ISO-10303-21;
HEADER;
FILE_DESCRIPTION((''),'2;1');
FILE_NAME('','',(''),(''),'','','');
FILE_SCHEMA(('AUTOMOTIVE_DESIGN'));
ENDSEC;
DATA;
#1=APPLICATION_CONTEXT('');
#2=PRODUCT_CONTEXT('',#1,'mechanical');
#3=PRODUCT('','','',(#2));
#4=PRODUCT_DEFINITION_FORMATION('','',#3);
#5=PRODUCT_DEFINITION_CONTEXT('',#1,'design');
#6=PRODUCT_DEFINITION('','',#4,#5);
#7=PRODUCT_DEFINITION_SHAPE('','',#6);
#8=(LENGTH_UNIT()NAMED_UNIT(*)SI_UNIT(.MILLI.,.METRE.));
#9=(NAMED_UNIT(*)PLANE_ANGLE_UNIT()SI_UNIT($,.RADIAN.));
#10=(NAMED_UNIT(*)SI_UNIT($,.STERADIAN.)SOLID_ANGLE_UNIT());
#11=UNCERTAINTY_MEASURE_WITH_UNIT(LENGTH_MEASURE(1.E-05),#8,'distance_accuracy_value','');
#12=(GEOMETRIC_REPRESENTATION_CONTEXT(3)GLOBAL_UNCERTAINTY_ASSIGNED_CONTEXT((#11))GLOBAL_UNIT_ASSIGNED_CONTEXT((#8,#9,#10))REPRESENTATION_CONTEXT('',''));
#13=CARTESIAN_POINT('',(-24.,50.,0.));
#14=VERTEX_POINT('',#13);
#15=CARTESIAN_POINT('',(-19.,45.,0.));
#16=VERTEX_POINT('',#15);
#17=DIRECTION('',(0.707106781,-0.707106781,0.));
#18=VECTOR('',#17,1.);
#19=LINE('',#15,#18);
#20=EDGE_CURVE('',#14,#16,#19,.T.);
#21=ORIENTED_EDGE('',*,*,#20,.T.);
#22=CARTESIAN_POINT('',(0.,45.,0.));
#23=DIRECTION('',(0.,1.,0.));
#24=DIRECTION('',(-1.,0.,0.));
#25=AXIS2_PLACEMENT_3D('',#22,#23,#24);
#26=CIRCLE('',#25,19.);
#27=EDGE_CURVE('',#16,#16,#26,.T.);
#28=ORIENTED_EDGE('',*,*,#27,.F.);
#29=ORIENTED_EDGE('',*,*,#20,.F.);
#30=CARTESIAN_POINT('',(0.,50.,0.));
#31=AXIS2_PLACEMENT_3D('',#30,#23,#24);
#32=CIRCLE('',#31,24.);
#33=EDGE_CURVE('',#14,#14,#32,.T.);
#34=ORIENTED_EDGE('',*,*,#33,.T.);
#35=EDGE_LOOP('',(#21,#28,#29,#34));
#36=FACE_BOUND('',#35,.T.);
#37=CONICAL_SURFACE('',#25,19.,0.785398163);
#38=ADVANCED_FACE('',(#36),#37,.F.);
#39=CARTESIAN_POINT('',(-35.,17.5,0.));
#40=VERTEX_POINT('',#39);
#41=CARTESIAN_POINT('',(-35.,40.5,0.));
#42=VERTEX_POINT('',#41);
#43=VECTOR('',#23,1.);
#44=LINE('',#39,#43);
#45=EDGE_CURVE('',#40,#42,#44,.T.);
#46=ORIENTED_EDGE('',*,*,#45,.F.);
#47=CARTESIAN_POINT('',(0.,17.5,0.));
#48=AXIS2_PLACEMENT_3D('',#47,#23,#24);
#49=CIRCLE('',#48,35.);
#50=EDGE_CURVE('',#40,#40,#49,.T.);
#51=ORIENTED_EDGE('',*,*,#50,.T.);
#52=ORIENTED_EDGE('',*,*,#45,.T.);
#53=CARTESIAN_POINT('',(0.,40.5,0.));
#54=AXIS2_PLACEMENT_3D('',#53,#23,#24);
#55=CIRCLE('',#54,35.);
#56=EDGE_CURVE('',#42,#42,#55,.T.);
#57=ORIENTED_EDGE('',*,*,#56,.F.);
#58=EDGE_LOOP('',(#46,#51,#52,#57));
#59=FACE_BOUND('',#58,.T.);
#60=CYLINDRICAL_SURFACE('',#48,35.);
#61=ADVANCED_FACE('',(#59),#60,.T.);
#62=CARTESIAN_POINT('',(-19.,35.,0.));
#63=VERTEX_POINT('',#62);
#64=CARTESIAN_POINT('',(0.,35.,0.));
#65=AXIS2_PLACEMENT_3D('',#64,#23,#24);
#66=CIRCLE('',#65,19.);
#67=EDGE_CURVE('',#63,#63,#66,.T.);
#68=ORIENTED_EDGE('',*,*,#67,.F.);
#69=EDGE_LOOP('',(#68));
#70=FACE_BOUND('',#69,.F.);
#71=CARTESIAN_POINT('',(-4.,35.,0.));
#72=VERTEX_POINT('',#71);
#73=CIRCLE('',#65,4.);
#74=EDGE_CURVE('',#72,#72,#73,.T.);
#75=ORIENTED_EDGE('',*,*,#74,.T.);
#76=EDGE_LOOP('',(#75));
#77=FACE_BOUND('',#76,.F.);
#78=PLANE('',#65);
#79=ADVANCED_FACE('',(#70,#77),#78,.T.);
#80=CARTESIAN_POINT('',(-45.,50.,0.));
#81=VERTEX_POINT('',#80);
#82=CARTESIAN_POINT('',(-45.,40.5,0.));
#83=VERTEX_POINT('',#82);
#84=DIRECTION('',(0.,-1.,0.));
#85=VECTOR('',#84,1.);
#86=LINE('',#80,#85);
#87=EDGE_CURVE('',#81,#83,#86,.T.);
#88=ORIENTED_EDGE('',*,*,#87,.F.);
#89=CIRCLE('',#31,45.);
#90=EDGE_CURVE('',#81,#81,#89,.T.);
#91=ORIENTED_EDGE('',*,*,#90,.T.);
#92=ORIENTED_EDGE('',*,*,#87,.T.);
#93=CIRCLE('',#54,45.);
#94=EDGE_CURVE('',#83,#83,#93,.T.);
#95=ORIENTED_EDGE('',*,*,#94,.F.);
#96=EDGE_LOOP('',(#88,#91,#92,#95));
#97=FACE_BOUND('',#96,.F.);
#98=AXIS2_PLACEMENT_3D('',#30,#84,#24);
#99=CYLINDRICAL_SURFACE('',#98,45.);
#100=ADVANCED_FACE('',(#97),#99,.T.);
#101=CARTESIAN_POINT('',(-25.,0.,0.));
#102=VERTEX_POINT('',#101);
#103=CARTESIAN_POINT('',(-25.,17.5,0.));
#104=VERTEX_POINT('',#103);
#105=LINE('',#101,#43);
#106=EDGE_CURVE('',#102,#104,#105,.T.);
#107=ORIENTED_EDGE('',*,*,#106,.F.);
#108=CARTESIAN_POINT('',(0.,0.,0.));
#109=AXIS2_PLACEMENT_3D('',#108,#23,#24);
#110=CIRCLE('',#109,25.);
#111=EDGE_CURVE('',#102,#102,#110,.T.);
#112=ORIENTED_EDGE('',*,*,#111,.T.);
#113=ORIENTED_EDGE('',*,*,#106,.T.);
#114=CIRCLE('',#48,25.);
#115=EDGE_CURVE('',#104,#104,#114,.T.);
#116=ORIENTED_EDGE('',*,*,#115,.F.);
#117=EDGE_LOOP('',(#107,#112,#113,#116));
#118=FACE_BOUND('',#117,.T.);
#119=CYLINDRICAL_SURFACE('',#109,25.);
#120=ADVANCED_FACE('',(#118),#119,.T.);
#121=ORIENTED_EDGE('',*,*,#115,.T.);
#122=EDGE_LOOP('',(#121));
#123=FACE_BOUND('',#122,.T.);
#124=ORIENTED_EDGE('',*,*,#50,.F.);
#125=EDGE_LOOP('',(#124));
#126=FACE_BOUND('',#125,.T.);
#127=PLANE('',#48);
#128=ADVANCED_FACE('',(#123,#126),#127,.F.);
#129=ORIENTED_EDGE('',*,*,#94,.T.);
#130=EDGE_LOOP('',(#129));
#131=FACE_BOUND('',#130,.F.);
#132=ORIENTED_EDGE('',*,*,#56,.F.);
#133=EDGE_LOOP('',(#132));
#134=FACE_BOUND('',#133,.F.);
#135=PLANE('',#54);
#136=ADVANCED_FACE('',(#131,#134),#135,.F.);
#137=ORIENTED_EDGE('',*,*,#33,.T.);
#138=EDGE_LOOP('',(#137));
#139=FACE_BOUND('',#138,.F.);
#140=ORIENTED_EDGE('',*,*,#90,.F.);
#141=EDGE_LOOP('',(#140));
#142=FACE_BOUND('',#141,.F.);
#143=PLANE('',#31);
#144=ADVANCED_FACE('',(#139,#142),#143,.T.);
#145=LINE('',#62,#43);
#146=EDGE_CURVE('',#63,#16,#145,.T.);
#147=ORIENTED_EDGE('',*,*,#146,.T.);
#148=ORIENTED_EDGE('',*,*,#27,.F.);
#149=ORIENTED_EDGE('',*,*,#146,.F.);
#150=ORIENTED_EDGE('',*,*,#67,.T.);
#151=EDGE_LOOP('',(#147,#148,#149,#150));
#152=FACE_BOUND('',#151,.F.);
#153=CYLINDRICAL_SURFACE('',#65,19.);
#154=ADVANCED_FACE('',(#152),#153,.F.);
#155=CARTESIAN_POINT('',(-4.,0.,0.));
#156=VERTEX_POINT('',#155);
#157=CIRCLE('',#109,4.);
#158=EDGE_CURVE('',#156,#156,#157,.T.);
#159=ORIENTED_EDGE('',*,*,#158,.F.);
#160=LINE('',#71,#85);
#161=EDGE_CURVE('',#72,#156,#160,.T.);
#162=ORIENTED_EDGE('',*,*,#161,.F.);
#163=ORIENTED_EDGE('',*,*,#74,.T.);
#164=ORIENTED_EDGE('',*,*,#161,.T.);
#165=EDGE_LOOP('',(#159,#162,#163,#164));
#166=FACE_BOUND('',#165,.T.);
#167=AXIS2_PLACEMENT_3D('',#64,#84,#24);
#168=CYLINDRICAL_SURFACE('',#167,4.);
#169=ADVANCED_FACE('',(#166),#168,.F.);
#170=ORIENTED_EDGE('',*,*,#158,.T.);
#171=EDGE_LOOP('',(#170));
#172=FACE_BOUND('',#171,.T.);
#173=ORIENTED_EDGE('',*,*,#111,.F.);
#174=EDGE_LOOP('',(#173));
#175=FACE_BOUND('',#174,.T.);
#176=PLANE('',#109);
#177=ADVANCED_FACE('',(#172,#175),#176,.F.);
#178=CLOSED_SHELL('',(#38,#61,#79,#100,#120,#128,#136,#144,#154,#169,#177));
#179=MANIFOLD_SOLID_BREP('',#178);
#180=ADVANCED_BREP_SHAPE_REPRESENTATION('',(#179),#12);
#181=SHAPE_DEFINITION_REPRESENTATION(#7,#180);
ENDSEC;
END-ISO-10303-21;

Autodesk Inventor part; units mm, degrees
ref_plane "YZ Plane" through (0, 0, 0) normal (1, 0, 0) x (0, 1, 0)
ref_plane "XZ Plane" through (0, 0, 0) normal (0, 1, 0) x (-1, 0, 0)
ref_plane "XY Plane" through (0, 0, 0) normal (0, 0, 1) x (1, 0, 0)
sketch "Sketch2" plane through (0, 0, 0) normal (0, 0, 1) x (1, 0, 0)
  line L0 (-4, 0) -> (-25, 0)
  line L1 (-25, 0) -> (-25, 17.5)
  line L2 (-25, 17.5) -> (-35, 17.5)
  line L3 (-4, 35) -> (-4, 0)
  line L4 (0, 0) -> (0, 29) construction
  line L5 (-4, 35) -> (-19, 35)
  line L6 (-19, 35) -> (-19, 50)
  line L7 (-35, 17.5) -> (-35, 40.5)
  line L8 (-19, 50) -> (-45, 50)
  line L9 (-45, 50) -> (-45, 40.5)
  line L10 (-45, 40.5) -> (-35, 40.5)
  dimension "d11" = 8
  dimension "d13" = 50
  dimension "d28" = 17.5
  dimension "d29" = 35
  dimension "d30" = 15
  dimension "d34" = 70
  dimension "d35" = 50
  dimension "d36" = 23
  dimension "d37" = 90
revolve "Revolution1" add sketch "Sketch2" angle 360 about axis through (0, 0, 0) along (0, 1, 0)
chamfer "Chamfer1" distance 5 angle 45 1 edges at (19, 50, 0)
properties part number "M17 - Coil Support Part" material "UHMW, Black"
